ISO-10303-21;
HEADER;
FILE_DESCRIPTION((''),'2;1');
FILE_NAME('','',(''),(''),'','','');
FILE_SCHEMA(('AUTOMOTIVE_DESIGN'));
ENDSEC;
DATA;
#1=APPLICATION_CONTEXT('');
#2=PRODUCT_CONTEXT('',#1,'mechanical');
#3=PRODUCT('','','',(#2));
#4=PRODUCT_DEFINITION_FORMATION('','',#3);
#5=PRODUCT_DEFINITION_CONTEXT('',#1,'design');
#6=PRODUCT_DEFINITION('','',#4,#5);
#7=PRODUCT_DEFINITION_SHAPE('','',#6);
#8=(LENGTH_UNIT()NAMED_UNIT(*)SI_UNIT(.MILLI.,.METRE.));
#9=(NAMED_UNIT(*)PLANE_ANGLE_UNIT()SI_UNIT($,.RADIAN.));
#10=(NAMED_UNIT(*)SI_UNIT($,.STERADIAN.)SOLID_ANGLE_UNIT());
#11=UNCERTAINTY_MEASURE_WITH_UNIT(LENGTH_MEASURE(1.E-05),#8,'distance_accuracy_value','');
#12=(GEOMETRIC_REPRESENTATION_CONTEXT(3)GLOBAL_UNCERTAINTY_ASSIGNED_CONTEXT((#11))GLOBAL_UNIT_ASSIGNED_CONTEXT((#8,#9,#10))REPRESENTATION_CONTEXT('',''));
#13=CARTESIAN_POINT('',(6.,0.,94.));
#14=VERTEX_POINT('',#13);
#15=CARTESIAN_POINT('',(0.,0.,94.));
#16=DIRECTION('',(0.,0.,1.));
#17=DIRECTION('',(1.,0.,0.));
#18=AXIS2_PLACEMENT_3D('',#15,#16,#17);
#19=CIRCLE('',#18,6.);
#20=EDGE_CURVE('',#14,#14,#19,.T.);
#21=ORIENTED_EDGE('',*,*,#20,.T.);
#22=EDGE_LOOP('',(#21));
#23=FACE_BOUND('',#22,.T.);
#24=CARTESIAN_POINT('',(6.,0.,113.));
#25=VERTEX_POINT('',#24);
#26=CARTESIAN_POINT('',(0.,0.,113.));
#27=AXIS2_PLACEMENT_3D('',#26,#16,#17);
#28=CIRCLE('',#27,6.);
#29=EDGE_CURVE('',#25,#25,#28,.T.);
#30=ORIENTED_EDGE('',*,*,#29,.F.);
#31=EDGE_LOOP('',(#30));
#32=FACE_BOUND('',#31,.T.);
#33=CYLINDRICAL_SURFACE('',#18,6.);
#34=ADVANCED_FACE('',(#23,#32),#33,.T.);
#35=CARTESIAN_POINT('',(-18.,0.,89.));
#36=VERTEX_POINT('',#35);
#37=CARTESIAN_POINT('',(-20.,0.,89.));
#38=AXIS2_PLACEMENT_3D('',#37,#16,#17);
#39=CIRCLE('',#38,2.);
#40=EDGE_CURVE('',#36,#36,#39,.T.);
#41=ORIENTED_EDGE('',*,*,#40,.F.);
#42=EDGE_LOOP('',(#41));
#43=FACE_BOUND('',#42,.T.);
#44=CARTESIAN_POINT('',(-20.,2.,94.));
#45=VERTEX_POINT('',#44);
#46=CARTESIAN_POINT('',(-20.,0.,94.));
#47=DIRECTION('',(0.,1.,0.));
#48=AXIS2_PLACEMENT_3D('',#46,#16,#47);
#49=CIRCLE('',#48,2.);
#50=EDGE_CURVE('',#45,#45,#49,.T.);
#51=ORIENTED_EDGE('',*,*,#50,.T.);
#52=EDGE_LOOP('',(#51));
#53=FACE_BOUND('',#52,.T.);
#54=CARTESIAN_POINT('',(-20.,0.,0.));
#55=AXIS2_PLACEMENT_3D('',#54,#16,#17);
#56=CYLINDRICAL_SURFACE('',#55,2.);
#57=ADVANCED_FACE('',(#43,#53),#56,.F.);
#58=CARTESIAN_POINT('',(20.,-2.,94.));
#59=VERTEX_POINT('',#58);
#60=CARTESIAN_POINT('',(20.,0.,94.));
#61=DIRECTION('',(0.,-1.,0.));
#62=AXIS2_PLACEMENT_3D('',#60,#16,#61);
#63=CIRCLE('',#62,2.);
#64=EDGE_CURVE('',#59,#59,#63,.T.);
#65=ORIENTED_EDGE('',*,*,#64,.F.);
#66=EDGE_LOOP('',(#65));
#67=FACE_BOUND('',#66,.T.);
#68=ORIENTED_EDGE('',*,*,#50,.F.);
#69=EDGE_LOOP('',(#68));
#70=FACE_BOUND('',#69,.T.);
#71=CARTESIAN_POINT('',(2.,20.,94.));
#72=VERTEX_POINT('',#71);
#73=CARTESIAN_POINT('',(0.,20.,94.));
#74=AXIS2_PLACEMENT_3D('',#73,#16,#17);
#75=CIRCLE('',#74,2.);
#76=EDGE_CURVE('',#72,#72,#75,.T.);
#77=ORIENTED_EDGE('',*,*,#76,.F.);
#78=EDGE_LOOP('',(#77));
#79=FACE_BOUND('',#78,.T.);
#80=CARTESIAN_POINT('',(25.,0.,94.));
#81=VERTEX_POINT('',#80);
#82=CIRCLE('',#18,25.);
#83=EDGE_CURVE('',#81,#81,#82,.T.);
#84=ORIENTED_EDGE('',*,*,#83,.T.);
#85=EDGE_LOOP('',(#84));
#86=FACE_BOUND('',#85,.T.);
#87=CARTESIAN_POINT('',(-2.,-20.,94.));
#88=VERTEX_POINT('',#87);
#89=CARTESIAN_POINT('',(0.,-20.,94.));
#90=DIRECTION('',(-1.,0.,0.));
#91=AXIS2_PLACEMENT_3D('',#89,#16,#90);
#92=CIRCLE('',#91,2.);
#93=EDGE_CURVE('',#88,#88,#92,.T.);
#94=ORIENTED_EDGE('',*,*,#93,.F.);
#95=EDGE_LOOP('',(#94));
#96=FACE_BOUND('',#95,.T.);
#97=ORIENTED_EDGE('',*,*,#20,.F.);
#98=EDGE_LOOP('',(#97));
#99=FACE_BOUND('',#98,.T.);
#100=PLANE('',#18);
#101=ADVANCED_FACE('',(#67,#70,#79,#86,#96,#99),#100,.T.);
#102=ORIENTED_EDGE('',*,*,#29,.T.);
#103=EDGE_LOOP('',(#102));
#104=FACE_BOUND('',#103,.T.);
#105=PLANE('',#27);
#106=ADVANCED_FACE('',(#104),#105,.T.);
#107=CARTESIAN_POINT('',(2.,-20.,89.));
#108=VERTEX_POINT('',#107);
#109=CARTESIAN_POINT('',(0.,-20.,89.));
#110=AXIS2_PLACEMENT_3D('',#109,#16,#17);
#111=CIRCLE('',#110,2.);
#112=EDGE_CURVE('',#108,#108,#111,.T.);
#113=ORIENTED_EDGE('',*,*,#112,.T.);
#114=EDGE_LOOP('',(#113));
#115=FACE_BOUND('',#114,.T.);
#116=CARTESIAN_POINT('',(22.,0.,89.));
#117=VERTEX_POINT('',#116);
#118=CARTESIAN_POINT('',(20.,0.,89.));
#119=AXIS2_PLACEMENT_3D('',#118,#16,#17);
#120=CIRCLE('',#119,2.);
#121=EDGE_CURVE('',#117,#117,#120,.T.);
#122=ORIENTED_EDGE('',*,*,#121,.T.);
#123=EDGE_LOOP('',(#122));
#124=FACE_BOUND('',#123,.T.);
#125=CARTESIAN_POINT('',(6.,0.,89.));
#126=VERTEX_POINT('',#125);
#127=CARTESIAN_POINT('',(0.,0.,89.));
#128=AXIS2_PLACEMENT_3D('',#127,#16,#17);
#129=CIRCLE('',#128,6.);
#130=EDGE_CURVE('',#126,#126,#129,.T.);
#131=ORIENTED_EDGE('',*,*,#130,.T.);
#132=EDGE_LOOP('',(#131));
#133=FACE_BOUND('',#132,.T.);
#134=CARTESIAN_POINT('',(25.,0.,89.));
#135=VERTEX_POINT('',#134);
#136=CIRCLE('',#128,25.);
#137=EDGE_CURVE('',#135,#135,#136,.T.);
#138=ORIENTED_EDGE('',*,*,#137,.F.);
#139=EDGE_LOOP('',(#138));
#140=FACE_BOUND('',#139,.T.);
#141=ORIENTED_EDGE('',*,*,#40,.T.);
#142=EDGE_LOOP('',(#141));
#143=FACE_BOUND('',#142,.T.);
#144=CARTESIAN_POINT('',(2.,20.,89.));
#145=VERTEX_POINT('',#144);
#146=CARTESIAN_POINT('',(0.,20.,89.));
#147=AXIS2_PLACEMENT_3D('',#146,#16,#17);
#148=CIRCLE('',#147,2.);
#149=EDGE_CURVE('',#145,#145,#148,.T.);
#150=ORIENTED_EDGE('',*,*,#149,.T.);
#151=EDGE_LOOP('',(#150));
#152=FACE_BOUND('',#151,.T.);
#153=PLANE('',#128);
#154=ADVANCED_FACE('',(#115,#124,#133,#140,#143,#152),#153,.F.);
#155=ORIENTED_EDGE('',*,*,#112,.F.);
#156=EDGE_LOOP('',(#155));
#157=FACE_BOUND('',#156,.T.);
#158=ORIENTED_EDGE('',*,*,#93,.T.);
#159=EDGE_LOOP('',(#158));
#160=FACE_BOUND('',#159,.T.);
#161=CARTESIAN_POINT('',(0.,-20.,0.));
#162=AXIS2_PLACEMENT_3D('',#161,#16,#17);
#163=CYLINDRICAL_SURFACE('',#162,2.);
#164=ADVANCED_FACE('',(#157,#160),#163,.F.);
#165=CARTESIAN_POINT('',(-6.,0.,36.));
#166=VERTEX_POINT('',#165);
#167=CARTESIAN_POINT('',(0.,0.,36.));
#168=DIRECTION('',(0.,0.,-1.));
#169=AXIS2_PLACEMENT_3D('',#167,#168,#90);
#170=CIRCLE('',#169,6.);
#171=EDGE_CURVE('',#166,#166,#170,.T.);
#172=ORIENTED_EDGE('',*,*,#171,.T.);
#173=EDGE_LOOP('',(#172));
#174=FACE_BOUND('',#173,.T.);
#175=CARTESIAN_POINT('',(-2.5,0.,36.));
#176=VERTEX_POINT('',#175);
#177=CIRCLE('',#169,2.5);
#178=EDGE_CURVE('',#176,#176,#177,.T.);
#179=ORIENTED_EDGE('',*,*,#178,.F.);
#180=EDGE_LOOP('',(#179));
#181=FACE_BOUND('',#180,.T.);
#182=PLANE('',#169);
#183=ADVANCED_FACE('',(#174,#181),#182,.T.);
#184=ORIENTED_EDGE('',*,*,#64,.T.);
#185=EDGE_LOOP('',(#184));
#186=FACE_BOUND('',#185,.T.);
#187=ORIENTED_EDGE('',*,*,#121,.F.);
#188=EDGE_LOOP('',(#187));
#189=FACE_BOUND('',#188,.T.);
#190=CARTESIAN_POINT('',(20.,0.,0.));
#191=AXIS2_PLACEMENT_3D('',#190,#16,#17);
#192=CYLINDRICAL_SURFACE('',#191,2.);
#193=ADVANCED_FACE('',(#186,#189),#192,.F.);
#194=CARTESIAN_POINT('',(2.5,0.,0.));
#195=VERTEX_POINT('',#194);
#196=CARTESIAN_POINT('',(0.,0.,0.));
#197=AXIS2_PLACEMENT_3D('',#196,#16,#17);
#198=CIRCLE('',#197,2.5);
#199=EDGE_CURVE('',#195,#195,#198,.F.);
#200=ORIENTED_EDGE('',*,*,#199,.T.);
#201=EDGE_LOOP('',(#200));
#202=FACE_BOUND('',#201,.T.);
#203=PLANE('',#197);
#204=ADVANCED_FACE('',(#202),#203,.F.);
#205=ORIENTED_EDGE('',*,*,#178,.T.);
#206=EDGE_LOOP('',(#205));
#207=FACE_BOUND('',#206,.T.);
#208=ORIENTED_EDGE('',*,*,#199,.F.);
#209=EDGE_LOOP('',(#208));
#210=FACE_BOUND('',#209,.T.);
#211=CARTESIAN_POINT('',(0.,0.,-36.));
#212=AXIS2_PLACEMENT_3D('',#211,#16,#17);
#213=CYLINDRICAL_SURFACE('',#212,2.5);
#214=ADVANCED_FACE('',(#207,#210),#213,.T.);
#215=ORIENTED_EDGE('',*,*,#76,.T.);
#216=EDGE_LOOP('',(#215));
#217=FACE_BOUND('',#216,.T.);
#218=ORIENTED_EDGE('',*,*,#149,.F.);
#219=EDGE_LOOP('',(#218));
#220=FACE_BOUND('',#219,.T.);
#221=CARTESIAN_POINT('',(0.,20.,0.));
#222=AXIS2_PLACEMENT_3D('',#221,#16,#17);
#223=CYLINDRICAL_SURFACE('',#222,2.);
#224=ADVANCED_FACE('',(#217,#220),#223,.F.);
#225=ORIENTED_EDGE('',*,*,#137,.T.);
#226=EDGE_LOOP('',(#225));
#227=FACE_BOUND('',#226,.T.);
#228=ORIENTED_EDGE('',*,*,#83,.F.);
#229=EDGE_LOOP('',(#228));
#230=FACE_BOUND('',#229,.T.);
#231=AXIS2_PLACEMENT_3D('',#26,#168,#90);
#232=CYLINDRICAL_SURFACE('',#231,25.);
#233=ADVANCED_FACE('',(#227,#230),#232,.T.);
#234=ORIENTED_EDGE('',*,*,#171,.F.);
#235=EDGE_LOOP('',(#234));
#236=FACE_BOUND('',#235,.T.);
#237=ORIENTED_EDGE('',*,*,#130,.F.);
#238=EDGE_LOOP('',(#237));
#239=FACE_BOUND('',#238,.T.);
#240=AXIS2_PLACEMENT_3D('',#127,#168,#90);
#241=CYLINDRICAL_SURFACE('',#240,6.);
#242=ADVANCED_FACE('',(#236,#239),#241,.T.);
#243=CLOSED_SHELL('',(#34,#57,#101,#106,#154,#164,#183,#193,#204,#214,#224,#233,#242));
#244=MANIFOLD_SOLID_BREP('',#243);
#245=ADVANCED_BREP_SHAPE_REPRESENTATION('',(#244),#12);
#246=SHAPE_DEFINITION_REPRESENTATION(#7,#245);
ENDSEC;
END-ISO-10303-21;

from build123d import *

# Parameters (mm, degrees)
ESQUISSE1_R                  = 25
BOSS_EXTRU_1_DEPTH           = 113
ESQUISSE2_OUTSIDE_W          = 78.66
ESQUISSE2_OUTSIDE_H          = 78.66
ESQUISSE2_OUTSIDE_R          = 6
ENL_V_MAT_EXTRU_1_DEPTH      = 19
ESQUISSE3_OUTSIDE_W          = 78.66
ESQUISSE3_OUTSIDE_H          = 78.66
ESQUISSE3_OUTSIDE_R          = 6
ENL_V_MAT_EXTRU_3_DEPTH      = 89
ENL_V_MAT_EXTRU_3_DEPTH_BACK = 89
ESQUISSE4_OUTSIDE_W          = 78.66
ESQUISSE4_OUTSIDE_H          = 78.66
ESQUISSE4_OUTSIDE_R          = 2.5
ENL_V_MAT_EXTRU_4_DEPTH      = 36
ENL_V_MAT_EXTRU_4_DEPTH_BACK = 36
ESQUISSE8_R                  = 2
ENL_V_MAT_EXTRU_5_DEPTH      = 95
R_P_TITION_CIRCULAIRE2_COUNT = 4


with BuildPart() as part:
    # Esquisse1 → Boss.-Extru.1 (new body)
    with BuildSketch(Plane.XY):
        Circle(ESQUISSE1_R)
    extrude(amount=BOSS_EXTRU_1_DEPTH)

    # Esquisse2 outside → Enl_v. mat.-Extru.1 (cut)
    with BuildSketch(Plane.XY.offset(113)):
        Rectangle(ESQUISSE2_OUTSIDE_W, ESQUISSE2_OUTSIDE_H)
        Circle(ESQUISSE2_OUTSIDE_R, mode=Mode.SUBTRACT)
    extrude(amount=-ENL_V_MAT_EXTRU_1_DEPTH, mode=Mode.SUBTRACT)

    # Esquisse3 outside → Enl_v. mat.-Extru.3 (cut, two sides)
    with BuildSketch(Plane.XY) as enl_v_mat_extru_3_sk:
        Rectangle(ESQUISSE3_OUTSIDE_W, ESQUISSE3_OUTSIDE_H)
        Circle(ESQUISSE3_OUTSIDE_R, mode=Mode.SUBTRACT)
    extrude(amount=ENL_V_MAT_EXTRU_3_DEPTH, mode=Mode.SUBTRACT)
    extrude(enl_v_mat_extru_3_sk.sketch, amount=-ENL_V_MAT_EXTRU_3_DEPTH_BACK, mode=Mode.SUBTRACT)

    # Esquisse4 outside → Enl_v. mat.-Extru.4 (cut, two sides)
    with BuildSketch(Plane(origin=(0, 0, 0), x_dir=(-1, 0, 0), z_dir=(0, 0, -1))) as enl_v_mat_extru_4_sk:
        Rectangle(ESQUISSE4_OUTSIDE_W, ESQUISSE4_OUTSIDE_H)
        with Locations(Location((0, 0, 0), (0, 0, 180))):  # turned: the seam where the file's is
            Circle(ESQUISSE4_OUTSIDE_R, mode=Mode.SUBTRACT)
    extrude(amount=ENL_V_MAT_EXTRU_4_DEPTH, mode=Mode.SUBTRACT)
    extrude(enl_v_mat_extru_4_sk.sketch, amount=-ENL_V_MAT_EXTRU_4_DEPTH_BACK, mode=Mode.SUBTRACT)

    # Esquisse8 → Enl_v. mat.-Extru.5 (cut, through all)
    with BuildSketch(Plane.XY.offset(94)):
        with Locations((0, 20)):
            Circle(ESQUISSE8_R)
    enl_v_mat_extru_5 = extrude(amount=-ENL_V_MAT_EXTRU_5_DEPTH, mode=Mode.SUBTRACT)

    # R_p_tition circulaire2: Enl_v. mat.-Extru.5 ×4 about axis
    r_p_tition_circulaire2_axis = Axis((0, 0, 0), (0, 0, 1))
    for i in range(1, R_P_TITION_CIRCULAIRE2_COUNT):
        add(enl_v_mat_extru_5.rotate(r_p_tition_circulaire2_axis, i * 360 / R_P_TITION_CIRCULAIRE2_COUNT), mode=Mode.SUBTRACT)


solid = part.part
